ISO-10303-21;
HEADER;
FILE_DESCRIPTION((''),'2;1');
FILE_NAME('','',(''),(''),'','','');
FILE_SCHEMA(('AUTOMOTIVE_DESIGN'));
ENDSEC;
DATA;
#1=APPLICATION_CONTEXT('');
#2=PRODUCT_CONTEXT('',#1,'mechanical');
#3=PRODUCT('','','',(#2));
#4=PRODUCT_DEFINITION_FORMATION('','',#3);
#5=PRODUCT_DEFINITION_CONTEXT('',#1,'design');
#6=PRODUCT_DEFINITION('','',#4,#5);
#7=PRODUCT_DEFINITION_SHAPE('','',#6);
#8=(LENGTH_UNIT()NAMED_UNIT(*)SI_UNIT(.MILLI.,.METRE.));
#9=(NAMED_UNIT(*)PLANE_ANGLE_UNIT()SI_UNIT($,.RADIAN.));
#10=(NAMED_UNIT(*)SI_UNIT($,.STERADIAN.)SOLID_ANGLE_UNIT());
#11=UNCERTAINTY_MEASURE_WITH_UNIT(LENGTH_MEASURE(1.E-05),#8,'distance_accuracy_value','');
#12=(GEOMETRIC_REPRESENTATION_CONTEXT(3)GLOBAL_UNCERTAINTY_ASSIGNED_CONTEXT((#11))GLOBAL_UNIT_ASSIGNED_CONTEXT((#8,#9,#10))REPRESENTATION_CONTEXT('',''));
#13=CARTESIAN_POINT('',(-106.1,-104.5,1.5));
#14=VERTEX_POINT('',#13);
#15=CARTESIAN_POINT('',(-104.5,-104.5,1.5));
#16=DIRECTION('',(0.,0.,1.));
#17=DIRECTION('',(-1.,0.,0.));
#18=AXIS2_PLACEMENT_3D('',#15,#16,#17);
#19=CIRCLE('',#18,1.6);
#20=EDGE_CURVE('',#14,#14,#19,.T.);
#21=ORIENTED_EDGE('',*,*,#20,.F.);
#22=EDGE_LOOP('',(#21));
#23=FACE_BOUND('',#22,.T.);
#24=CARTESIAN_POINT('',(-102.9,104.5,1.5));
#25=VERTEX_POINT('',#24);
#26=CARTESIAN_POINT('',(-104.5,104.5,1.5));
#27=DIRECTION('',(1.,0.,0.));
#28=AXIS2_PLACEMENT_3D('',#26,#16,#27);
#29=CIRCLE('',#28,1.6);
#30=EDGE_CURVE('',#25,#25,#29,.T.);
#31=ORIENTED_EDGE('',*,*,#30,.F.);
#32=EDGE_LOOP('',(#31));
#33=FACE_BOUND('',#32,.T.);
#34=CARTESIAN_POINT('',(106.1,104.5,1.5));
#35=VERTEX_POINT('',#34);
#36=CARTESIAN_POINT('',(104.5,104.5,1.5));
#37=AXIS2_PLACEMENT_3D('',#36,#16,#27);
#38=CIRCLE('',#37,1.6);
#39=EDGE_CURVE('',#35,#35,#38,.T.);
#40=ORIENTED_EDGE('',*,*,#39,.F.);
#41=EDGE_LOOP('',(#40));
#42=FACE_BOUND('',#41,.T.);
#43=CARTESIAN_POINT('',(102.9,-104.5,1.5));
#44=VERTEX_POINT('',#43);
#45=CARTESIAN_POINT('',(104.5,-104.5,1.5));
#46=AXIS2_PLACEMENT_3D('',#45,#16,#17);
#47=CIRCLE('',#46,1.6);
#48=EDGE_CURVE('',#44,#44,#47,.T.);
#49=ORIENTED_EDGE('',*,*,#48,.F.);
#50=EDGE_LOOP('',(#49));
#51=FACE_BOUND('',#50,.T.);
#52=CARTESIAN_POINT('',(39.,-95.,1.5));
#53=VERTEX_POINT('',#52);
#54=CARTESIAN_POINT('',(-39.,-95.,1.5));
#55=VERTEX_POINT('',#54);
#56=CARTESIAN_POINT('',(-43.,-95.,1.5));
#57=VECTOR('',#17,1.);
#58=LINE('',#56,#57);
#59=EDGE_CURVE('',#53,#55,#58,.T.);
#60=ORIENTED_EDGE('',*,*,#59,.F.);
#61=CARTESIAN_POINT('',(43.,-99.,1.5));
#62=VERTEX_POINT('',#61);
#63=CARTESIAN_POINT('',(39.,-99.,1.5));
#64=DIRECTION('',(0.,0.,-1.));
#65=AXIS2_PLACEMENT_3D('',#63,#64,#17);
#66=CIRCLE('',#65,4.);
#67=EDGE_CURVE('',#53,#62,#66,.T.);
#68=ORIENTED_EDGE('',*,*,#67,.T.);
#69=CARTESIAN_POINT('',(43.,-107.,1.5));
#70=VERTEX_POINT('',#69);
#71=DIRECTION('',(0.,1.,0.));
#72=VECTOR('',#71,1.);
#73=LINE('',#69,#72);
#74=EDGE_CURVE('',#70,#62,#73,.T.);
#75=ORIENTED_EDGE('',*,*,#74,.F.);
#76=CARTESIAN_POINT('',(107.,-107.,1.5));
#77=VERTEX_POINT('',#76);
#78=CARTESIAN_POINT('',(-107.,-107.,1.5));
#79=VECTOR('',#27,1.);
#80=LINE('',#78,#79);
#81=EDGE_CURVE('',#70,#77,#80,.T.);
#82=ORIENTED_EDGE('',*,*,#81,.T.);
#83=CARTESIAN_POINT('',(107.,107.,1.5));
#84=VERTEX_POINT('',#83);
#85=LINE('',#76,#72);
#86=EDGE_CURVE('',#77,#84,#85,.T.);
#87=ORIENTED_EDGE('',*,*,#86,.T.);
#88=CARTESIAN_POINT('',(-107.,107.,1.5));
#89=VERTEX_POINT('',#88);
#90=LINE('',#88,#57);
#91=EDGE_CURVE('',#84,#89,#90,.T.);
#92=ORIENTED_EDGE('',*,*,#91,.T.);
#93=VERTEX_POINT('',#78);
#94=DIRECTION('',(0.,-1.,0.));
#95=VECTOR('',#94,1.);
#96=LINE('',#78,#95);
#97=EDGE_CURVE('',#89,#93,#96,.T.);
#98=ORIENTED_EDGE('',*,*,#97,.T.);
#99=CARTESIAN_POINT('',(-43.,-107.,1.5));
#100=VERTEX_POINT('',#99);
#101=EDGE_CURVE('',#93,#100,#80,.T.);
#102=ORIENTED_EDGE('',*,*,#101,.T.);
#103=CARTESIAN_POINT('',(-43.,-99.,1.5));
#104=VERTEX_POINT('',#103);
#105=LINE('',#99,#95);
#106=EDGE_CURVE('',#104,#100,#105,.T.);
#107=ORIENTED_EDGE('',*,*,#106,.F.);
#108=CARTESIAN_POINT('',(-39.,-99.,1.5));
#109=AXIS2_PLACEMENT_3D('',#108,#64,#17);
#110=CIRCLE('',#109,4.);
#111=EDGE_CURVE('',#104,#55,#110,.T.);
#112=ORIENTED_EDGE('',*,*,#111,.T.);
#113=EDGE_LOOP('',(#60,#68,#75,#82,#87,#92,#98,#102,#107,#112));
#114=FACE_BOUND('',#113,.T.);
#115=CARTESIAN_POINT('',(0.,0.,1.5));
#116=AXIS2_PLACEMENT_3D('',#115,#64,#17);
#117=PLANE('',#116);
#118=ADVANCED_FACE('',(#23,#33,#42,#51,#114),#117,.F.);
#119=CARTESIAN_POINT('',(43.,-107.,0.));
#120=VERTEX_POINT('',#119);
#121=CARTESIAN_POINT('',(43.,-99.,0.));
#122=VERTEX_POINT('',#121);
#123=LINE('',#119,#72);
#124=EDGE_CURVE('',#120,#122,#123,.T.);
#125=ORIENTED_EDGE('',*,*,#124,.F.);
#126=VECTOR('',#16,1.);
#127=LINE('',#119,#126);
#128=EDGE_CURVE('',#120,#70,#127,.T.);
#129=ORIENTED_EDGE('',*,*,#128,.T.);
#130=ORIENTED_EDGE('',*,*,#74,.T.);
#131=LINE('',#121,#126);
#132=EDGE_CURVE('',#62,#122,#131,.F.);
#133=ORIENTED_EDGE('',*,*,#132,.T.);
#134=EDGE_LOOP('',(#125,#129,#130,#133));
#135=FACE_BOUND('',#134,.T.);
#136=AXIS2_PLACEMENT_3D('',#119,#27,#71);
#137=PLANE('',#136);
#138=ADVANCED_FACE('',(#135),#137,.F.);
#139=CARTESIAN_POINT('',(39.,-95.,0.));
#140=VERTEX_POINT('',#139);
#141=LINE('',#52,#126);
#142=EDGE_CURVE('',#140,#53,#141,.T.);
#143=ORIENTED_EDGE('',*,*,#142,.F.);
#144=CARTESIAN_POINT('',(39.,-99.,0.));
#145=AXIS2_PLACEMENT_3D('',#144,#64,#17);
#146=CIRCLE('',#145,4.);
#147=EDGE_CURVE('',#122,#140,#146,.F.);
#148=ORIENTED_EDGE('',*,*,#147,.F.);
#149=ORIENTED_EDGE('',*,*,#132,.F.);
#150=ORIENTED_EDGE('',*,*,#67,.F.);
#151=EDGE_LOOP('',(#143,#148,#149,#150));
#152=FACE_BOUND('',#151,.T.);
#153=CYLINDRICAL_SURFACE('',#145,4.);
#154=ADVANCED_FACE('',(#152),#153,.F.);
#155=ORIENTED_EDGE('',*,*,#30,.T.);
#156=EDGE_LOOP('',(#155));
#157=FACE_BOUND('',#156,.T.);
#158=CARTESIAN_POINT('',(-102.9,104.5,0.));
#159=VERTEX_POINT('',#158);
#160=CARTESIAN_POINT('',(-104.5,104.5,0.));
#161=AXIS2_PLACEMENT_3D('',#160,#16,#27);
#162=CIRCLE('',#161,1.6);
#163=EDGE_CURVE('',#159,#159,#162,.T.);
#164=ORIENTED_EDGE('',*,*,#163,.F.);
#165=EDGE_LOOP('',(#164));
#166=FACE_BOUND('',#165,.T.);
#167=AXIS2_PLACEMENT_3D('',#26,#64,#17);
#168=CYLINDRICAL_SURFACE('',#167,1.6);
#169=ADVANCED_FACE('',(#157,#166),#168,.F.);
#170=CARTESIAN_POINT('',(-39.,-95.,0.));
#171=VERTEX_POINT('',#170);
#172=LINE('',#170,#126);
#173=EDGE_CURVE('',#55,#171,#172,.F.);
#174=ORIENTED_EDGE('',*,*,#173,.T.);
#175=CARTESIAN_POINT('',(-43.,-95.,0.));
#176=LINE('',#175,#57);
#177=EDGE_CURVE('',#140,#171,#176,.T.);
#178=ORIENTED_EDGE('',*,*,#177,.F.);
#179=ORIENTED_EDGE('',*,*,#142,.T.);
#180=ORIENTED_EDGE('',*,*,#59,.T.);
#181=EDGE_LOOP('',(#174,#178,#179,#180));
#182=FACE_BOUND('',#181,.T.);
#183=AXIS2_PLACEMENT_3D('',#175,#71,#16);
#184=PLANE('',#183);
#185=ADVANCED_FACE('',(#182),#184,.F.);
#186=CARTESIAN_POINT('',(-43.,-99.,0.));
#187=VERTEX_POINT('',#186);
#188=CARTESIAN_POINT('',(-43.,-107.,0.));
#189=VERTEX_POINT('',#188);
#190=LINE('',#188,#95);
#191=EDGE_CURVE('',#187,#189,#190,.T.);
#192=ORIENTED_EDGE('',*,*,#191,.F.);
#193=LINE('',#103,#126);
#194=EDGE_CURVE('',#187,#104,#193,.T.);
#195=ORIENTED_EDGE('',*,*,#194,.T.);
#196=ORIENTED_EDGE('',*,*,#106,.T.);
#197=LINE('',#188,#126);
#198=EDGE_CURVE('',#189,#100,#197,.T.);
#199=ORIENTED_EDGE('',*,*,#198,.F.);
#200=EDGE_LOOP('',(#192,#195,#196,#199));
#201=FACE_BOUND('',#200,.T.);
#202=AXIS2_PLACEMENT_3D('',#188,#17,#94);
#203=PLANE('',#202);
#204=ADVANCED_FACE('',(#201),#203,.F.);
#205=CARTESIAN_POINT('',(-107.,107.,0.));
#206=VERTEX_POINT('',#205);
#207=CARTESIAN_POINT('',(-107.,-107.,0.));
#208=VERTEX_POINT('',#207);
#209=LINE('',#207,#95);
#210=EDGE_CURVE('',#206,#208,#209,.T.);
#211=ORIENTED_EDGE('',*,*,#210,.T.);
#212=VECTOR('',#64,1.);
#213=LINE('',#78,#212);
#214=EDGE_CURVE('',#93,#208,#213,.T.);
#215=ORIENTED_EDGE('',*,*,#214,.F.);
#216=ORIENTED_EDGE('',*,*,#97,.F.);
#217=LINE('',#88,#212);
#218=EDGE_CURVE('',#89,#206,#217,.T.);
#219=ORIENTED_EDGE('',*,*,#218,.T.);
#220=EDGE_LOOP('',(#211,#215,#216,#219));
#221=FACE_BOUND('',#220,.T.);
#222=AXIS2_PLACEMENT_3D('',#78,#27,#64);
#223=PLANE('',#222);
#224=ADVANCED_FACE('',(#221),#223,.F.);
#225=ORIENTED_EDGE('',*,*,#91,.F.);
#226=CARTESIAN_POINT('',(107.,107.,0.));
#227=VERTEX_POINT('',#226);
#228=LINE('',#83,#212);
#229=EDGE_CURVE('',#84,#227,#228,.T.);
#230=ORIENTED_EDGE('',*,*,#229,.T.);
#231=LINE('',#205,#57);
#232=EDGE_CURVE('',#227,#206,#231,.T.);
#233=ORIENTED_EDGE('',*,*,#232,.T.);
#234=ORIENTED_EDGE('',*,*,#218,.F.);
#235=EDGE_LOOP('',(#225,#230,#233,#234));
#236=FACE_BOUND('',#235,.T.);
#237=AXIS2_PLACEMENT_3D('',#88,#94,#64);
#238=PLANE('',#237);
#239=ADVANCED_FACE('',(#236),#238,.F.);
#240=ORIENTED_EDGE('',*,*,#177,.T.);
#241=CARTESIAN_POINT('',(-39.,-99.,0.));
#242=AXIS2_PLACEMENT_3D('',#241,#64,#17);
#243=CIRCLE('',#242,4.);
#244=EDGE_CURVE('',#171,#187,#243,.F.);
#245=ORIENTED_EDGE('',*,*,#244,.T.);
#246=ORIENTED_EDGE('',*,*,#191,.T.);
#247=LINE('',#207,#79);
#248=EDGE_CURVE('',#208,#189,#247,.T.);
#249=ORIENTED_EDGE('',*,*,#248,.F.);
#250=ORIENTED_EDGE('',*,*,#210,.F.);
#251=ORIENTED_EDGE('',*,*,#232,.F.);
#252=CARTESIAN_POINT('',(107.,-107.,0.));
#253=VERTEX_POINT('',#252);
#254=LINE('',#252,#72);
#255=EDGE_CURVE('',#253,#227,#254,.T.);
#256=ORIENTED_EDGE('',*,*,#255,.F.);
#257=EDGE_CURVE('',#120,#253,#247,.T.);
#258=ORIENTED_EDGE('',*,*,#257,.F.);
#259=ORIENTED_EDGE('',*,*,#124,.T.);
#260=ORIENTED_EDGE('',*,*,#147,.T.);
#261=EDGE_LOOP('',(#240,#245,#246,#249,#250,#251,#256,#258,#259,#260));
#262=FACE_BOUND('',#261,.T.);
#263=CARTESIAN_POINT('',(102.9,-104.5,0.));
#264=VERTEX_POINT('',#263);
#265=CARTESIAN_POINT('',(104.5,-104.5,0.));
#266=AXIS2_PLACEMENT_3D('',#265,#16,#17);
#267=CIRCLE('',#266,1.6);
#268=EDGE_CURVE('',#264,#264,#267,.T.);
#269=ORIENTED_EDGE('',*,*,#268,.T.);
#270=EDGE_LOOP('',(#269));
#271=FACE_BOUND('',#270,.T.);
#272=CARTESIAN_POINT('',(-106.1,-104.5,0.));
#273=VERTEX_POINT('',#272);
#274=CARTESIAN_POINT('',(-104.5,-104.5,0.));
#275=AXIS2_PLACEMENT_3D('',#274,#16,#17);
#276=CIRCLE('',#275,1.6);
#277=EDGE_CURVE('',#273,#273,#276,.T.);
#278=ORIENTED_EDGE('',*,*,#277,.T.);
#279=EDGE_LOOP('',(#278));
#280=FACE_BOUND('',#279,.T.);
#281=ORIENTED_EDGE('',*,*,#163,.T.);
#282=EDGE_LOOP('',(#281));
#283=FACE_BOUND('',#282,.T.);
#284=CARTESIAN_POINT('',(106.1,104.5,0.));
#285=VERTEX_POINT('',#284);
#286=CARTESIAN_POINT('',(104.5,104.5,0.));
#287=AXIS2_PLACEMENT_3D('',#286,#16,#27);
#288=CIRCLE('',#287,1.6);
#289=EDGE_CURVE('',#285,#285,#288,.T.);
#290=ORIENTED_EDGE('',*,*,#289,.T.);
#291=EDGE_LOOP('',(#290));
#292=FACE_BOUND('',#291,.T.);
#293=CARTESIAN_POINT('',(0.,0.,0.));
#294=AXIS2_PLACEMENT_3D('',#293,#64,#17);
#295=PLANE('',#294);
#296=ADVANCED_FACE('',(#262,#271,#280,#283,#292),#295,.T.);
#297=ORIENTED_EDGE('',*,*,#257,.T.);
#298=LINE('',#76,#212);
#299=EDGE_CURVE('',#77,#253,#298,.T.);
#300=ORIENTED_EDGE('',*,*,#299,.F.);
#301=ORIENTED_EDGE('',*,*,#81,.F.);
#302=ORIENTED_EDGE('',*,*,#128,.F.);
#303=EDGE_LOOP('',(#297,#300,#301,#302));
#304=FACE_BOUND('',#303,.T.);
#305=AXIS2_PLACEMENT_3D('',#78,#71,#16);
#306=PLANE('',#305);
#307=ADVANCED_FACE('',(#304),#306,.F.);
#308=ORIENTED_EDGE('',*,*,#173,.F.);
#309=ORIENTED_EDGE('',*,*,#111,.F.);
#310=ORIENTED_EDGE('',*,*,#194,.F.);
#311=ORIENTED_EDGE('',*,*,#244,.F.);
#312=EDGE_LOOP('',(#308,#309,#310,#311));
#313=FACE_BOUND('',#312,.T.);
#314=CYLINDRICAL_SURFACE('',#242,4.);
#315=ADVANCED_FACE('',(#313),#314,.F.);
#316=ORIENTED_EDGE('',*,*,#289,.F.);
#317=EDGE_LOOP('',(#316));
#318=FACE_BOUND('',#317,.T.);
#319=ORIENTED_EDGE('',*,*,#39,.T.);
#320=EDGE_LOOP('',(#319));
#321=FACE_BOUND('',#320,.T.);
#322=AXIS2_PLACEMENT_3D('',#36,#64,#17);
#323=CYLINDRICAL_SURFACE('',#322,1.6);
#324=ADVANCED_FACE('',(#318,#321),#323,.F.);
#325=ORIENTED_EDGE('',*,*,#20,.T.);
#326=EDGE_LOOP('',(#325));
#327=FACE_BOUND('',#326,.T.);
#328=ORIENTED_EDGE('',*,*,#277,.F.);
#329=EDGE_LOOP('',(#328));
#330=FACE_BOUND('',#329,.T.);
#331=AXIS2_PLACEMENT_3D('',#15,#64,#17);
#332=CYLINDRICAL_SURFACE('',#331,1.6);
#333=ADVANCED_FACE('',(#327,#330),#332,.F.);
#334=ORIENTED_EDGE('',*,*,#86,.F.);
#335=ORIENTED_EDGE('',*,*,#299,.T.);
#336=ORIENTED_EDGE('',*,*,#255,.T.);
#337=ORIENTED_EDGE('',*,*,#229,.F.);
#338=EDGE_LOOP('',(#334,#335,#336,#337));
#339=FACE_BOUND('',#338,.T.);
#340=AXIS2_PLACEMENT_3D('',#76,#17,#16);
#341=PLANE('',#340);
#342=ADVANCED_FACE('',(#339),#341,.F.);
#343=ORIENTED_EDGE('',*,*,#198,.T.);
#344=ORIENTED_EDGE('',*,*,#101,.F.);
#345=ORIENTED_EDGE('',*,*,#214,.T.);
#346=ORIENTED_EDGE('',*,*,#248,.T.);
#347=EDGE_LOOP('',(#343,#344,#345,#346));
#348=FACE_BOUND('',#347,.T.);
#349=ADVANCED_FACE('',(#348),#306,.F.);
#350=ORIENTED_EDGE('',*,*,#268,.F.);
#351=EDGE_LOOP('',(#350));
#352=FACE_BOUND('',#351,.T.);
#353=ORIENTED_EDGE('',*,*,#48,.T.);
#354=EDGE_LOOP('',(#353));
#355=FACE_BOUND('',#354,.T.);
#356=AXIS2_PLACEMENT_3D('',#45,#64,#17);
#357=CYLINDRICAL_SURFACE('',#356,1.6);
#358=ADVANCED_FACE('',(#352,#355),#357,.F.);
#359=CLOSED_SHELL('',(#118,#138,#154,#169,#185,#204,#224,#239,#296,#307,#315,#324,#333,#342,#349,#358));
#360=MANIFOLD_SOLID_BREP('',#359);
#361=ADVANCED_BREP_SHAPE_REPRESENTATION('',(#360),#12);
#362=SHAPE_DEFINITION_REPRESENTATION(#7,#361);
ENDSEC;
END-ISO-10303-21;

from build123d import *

# Parameters (mm, degrees)
SKETCH1_W           = 214
SKETCH1_H           = 214
SKETCH1_R           = 1.6
BOSS_EXTRUDE1_DEPTH = 1.5
SKETCH2_W           = 86
SKETCH2_H           = 12
CUT_EXTRUDE1_DEPTH  = 2.5
FILLET1_R           = 4


with BuildPart() as part:
    # Sketch1 → Boss-Extrude1 (new body)
    with BuildSketch(Plane.XY):
        Rectangle(SKETCH1_W, SKETCH1_H)
        with Locations((-104.5, 104.5)):
            Circle(SKETCH1_R, mode=Mode.SUBTRACT)
        with Locations((104.5, 104.5)):
            Circle(SKETCH1_R, mode=Mode.SUBTRACT)
        with Locations((0, -104.5)):
            Circle(SKETCH1_R, mode=Mode.SUBTRACT)
        with Locations((104.5, -104.5)):
            Circle(SKETCH1_R, mode=Mode.SUBTRACT)
        with Locations((-104.5, -104.5)):
            Circle(SKETCH1_R, mode=Mode.SUBTRACT)
    extrude(amount=BOSS_EXTRUDE1_DEPTH)

    # Sketch2 → Cut-Extrude1 (cut, through all)
    with BuildSketch(Plane.XY.offset(1.5)):
        with Locations((0, -101)):
            Rectangle(SKETCH2_W, SKETCH2_H)
    extrude(amount=-CUT_EXTRUDE1_DEPTH, mode=Mode.SUBTRACT)

    # Fillet1
    fillet1_edges = [part.edges().sort_by_distance(p)[0] for p in [
        (-43, -95, 0.75),
        (43, -95, 0.75),
    ]]
    fillet(fillet1_edges, radius=FILLET1_R)


solid = part.part
